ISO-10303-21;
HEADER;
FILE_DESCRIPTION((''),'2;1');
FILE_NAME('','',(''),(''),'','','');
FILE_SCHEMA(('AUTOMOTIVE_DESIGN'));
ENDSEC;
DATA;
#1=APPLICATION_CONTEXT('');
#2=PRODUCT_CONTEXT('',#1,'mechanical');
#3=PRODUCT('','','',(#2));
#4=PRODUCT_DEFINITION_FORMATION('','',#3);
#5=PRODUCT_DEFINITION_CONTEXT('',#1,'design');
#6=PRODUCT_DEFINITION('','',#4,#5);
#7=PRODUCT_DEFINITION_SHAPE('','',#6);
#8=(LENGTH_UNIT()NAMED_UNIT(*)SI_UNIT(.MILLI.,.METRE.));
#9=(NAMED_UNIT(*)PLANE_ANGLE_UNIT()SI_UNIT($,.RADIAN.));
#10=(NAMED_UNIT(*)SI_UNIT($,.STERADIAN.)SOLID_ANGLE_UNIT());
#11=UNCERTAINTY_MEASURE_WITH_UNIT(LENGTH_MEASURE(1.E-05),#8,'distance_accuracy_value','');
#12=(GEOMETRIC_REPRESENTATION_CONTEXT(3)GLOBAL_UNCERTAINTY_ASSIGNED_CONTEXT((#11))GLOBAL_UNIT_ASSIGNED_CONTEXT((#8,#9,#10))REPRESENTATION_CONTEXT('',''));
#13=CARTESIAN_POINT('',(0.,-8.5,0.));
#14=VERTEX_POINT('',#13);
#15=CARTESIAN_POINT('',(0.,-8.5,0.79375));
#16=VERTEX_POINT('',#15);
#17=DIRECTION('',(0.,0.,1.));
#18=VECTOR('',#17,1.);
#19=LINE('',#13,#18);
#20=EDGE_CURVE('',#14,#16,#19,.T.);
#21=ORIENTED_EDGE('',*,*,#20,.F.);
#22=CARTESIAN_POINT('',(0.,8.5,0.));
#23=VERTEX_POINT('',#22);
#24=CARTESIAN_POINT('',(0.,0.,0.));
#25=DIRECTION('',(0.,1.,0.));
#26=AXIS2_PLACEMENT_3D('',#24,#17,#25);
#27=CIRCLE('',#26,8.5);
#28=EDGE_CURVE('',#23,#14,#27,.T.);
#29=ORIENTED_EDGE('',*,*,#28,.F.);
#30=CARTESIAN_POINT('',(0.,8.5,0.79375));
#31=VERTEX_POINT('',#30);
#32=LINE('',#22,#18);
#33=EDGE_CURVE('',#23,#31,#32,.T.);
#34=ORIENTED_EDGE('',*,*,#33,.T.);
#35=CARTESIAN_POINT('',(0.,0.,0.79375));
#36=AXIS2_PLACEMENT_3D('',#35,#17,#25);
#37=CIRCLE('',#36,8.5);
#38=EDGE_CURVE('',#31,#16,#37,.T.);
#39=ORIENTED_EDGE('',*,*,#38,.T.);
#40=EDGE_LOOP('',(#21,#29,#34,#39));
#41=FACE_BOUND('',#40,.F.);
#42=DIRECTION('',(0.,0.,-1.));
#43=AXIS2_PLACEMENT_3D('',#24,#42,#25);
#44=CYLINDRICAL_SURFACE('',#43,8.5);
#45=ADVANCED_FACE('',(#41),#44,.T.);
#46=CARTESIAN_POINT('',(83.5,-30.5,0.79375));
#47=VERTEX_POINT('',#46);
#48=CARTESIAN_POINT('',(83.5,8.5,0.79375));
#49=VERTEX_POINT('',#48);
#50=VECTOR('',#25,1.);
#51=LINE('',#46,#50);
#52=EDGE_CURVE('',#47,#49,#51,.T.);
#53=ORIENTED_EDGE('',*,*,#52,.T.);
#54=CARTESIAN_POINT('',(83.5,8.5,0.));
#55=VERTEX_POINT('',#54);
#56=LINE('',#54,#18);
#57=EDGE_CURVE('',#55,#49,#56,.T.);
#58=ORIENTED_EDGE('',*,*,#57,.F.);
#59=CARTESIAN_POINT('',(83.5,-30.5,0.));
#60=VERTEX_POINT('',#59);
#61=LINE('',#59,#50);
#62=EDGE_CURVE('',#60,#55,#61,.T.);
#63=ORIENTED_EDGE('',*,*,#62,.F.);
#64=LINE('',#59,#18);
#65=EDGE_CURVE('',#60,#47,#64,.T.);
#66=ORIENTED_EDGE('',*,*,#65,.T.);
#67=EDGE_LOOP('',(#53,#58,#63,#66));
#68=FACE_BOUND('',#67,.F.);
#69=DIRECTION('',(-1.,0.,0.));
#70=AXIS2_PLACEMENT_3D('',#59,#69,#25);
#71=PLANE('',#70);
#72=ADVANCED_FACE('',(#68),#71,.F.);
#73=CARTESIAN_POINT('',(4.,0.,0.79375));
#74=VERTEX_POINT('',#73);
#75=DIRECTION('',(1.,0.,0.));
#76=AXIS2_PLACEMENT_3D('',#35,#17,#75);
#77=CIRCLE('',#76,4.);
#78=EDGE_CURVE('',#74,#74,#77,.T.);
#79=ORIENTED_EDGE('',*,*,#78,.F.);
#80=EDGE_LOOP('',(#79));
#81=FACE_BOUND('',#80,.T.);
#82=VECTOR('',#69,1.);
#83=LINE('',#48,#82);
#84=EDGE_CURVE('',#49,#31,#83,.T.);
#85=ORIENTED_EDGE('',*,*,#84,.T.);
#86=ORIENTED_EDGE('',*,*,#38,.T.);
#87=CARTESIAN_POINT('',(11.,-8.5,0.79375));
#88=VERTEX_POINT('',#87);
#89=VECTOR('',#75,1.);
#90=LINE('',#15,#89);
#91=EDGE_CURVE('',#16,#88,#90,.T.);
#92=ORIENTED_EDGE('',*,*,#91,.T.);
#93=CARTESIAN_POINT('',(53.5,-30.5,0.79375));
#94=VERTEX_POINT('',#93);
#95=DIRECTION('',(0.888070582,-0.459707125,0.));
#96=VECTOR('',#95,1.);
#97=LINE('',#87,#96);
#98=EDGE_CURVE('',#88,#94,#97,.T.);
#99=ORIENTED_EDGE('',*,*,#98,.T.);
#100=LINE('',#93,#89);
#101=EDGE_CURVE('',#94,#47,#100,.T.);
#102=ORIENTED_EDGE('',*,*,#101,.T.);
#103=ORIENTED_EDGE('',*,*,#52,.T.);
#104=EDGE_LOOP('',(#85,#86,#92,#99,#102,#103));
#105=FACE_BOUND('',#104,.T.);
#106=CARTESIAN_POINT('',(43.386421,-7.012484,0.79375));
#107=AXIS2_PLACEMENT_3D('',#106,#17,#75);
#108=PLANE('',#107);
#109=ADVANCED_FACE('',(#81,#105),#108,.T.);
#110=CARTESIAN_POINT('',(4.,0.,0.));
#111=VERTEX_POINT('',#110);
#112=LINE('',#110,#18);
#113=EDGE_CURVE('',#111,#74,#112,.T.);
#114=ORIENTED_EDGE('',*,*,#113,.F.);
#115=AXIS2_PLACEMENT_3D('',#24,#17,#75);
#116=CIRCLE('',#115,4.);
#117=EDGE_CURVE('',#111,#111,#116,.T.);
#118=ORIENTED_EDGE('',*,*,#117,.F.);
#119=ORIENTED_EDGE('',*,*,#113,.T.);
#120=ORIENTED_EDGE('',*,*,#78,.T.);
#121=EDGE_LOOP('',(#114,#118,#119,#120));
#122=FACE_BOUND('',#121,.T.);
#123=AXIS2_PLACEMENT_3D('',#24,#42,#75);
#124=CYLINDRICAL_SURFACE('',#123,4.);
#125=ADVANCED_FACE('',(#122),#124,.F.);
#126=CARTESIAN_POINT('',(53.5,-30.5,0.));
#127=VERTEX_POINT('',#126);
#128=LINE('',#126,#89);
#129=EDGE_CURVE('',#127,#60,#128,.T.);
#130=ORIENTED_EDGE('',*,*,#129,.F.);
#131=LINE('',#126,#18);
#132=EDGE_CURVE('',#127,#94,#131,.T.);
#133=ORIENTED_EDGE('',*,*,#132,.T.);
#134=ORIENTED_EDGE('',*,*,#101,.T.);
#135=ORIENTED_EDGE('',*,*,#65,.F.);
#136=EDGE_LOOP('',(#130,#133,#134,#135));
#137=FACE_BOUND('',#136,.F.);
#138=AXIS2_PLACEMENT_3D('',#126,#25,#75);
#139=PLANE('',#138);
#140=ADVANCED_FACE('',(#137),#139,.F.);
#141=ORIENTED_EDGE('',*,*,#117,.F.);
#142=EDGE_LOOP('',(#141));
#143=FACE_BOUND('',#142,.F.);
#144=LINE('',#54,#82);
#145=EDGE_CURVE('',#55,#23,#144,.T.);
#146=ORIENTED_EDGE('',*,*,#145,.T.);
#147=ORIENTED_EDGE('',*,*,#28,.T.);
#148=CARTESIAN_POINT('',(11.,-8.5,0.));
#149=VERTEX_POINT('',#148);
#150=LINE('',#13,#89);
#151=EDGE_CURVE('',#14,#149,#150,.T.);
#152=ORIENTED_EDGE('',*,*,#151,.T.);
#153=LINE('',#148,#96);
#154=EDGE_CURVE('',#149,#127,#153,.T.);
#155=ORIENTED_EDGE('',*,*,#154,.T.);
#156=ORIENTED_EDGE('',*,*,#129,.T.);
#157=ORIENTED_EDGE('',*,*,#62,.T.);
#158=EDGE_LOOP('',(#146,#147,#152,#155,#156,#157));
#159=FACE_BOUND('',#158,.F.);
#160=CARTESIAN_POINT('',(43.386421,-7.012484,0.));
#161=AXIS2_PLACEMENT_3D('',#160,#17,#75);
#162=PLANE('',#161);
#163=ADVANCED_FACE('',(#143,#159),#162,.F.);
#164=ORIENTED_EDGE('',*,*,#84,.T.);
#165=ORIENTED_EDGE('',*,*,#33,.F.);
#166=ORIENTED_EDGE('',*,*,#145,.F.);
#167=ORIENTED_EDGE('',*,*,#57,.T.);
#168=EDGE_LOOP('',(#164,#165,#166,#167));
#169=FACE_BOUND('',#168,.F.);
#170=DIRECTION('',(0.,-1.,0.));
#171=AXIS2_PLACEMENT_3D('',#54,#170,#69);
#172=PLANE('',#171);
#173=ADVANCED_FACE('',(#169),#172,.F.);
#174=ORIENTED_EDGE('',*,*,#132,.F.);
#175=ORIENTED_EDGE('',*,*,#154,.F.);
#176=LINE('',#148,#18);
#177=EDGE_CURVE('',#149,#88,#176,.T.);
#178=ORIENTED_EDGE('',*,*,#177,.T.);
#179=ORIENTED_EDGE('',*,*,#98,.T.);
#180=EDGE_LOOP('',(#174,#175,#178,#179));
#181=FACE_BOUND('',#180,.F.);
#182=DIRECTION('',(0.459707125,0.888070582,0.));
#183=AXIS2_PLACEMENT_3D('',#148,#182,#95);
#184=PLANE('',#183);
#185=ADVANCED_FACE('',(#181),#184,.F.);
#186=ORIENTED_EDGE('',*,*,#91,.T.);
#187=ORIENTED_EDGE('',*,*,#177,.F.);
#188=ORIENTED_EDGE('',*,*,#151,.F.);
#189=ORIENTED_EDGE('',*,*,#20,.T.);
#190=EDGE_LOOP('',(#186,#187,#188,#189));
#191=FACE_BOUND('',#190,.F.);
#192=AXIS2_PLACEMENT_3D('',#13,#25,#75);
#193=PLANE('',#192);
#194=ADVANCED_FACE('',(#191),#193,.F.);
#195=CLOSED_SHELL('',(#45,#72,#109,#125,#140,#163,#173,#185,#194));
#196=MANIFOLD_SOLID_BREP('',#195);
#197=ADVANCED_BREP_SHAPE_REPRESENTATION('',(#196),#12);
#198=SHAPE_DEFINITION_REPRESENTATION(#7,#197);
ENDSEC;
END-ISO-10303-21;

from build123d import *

# Parameters (mm, degrees)
F0_R     = 4
F1_DEPTH = 0.79375


with BuildPart() as f1:
    # F0 (on Top) → F1 (new body)
    with BuildSketch(Plane.XY):
        with BuildLine():
            Line((83.5, 8.5), (0, 8.5))
            ThreePointArc((0, 8.5), (-8.5, 0), (0, -8.5))
            Line((0, -8.5), (11, -8.5))
            Line((11, -8.5), (53.5, -30.5))
            Line((53.5, -30.5), (83.5, -30.5))
            Line((83.5, -30.5), (83.5, 8.5))
        make_face()
        Circle(F0_R, mode=Mode.SUBTRACT)
    extrude(amount=F1_DEPTH)


solid = f1.part
